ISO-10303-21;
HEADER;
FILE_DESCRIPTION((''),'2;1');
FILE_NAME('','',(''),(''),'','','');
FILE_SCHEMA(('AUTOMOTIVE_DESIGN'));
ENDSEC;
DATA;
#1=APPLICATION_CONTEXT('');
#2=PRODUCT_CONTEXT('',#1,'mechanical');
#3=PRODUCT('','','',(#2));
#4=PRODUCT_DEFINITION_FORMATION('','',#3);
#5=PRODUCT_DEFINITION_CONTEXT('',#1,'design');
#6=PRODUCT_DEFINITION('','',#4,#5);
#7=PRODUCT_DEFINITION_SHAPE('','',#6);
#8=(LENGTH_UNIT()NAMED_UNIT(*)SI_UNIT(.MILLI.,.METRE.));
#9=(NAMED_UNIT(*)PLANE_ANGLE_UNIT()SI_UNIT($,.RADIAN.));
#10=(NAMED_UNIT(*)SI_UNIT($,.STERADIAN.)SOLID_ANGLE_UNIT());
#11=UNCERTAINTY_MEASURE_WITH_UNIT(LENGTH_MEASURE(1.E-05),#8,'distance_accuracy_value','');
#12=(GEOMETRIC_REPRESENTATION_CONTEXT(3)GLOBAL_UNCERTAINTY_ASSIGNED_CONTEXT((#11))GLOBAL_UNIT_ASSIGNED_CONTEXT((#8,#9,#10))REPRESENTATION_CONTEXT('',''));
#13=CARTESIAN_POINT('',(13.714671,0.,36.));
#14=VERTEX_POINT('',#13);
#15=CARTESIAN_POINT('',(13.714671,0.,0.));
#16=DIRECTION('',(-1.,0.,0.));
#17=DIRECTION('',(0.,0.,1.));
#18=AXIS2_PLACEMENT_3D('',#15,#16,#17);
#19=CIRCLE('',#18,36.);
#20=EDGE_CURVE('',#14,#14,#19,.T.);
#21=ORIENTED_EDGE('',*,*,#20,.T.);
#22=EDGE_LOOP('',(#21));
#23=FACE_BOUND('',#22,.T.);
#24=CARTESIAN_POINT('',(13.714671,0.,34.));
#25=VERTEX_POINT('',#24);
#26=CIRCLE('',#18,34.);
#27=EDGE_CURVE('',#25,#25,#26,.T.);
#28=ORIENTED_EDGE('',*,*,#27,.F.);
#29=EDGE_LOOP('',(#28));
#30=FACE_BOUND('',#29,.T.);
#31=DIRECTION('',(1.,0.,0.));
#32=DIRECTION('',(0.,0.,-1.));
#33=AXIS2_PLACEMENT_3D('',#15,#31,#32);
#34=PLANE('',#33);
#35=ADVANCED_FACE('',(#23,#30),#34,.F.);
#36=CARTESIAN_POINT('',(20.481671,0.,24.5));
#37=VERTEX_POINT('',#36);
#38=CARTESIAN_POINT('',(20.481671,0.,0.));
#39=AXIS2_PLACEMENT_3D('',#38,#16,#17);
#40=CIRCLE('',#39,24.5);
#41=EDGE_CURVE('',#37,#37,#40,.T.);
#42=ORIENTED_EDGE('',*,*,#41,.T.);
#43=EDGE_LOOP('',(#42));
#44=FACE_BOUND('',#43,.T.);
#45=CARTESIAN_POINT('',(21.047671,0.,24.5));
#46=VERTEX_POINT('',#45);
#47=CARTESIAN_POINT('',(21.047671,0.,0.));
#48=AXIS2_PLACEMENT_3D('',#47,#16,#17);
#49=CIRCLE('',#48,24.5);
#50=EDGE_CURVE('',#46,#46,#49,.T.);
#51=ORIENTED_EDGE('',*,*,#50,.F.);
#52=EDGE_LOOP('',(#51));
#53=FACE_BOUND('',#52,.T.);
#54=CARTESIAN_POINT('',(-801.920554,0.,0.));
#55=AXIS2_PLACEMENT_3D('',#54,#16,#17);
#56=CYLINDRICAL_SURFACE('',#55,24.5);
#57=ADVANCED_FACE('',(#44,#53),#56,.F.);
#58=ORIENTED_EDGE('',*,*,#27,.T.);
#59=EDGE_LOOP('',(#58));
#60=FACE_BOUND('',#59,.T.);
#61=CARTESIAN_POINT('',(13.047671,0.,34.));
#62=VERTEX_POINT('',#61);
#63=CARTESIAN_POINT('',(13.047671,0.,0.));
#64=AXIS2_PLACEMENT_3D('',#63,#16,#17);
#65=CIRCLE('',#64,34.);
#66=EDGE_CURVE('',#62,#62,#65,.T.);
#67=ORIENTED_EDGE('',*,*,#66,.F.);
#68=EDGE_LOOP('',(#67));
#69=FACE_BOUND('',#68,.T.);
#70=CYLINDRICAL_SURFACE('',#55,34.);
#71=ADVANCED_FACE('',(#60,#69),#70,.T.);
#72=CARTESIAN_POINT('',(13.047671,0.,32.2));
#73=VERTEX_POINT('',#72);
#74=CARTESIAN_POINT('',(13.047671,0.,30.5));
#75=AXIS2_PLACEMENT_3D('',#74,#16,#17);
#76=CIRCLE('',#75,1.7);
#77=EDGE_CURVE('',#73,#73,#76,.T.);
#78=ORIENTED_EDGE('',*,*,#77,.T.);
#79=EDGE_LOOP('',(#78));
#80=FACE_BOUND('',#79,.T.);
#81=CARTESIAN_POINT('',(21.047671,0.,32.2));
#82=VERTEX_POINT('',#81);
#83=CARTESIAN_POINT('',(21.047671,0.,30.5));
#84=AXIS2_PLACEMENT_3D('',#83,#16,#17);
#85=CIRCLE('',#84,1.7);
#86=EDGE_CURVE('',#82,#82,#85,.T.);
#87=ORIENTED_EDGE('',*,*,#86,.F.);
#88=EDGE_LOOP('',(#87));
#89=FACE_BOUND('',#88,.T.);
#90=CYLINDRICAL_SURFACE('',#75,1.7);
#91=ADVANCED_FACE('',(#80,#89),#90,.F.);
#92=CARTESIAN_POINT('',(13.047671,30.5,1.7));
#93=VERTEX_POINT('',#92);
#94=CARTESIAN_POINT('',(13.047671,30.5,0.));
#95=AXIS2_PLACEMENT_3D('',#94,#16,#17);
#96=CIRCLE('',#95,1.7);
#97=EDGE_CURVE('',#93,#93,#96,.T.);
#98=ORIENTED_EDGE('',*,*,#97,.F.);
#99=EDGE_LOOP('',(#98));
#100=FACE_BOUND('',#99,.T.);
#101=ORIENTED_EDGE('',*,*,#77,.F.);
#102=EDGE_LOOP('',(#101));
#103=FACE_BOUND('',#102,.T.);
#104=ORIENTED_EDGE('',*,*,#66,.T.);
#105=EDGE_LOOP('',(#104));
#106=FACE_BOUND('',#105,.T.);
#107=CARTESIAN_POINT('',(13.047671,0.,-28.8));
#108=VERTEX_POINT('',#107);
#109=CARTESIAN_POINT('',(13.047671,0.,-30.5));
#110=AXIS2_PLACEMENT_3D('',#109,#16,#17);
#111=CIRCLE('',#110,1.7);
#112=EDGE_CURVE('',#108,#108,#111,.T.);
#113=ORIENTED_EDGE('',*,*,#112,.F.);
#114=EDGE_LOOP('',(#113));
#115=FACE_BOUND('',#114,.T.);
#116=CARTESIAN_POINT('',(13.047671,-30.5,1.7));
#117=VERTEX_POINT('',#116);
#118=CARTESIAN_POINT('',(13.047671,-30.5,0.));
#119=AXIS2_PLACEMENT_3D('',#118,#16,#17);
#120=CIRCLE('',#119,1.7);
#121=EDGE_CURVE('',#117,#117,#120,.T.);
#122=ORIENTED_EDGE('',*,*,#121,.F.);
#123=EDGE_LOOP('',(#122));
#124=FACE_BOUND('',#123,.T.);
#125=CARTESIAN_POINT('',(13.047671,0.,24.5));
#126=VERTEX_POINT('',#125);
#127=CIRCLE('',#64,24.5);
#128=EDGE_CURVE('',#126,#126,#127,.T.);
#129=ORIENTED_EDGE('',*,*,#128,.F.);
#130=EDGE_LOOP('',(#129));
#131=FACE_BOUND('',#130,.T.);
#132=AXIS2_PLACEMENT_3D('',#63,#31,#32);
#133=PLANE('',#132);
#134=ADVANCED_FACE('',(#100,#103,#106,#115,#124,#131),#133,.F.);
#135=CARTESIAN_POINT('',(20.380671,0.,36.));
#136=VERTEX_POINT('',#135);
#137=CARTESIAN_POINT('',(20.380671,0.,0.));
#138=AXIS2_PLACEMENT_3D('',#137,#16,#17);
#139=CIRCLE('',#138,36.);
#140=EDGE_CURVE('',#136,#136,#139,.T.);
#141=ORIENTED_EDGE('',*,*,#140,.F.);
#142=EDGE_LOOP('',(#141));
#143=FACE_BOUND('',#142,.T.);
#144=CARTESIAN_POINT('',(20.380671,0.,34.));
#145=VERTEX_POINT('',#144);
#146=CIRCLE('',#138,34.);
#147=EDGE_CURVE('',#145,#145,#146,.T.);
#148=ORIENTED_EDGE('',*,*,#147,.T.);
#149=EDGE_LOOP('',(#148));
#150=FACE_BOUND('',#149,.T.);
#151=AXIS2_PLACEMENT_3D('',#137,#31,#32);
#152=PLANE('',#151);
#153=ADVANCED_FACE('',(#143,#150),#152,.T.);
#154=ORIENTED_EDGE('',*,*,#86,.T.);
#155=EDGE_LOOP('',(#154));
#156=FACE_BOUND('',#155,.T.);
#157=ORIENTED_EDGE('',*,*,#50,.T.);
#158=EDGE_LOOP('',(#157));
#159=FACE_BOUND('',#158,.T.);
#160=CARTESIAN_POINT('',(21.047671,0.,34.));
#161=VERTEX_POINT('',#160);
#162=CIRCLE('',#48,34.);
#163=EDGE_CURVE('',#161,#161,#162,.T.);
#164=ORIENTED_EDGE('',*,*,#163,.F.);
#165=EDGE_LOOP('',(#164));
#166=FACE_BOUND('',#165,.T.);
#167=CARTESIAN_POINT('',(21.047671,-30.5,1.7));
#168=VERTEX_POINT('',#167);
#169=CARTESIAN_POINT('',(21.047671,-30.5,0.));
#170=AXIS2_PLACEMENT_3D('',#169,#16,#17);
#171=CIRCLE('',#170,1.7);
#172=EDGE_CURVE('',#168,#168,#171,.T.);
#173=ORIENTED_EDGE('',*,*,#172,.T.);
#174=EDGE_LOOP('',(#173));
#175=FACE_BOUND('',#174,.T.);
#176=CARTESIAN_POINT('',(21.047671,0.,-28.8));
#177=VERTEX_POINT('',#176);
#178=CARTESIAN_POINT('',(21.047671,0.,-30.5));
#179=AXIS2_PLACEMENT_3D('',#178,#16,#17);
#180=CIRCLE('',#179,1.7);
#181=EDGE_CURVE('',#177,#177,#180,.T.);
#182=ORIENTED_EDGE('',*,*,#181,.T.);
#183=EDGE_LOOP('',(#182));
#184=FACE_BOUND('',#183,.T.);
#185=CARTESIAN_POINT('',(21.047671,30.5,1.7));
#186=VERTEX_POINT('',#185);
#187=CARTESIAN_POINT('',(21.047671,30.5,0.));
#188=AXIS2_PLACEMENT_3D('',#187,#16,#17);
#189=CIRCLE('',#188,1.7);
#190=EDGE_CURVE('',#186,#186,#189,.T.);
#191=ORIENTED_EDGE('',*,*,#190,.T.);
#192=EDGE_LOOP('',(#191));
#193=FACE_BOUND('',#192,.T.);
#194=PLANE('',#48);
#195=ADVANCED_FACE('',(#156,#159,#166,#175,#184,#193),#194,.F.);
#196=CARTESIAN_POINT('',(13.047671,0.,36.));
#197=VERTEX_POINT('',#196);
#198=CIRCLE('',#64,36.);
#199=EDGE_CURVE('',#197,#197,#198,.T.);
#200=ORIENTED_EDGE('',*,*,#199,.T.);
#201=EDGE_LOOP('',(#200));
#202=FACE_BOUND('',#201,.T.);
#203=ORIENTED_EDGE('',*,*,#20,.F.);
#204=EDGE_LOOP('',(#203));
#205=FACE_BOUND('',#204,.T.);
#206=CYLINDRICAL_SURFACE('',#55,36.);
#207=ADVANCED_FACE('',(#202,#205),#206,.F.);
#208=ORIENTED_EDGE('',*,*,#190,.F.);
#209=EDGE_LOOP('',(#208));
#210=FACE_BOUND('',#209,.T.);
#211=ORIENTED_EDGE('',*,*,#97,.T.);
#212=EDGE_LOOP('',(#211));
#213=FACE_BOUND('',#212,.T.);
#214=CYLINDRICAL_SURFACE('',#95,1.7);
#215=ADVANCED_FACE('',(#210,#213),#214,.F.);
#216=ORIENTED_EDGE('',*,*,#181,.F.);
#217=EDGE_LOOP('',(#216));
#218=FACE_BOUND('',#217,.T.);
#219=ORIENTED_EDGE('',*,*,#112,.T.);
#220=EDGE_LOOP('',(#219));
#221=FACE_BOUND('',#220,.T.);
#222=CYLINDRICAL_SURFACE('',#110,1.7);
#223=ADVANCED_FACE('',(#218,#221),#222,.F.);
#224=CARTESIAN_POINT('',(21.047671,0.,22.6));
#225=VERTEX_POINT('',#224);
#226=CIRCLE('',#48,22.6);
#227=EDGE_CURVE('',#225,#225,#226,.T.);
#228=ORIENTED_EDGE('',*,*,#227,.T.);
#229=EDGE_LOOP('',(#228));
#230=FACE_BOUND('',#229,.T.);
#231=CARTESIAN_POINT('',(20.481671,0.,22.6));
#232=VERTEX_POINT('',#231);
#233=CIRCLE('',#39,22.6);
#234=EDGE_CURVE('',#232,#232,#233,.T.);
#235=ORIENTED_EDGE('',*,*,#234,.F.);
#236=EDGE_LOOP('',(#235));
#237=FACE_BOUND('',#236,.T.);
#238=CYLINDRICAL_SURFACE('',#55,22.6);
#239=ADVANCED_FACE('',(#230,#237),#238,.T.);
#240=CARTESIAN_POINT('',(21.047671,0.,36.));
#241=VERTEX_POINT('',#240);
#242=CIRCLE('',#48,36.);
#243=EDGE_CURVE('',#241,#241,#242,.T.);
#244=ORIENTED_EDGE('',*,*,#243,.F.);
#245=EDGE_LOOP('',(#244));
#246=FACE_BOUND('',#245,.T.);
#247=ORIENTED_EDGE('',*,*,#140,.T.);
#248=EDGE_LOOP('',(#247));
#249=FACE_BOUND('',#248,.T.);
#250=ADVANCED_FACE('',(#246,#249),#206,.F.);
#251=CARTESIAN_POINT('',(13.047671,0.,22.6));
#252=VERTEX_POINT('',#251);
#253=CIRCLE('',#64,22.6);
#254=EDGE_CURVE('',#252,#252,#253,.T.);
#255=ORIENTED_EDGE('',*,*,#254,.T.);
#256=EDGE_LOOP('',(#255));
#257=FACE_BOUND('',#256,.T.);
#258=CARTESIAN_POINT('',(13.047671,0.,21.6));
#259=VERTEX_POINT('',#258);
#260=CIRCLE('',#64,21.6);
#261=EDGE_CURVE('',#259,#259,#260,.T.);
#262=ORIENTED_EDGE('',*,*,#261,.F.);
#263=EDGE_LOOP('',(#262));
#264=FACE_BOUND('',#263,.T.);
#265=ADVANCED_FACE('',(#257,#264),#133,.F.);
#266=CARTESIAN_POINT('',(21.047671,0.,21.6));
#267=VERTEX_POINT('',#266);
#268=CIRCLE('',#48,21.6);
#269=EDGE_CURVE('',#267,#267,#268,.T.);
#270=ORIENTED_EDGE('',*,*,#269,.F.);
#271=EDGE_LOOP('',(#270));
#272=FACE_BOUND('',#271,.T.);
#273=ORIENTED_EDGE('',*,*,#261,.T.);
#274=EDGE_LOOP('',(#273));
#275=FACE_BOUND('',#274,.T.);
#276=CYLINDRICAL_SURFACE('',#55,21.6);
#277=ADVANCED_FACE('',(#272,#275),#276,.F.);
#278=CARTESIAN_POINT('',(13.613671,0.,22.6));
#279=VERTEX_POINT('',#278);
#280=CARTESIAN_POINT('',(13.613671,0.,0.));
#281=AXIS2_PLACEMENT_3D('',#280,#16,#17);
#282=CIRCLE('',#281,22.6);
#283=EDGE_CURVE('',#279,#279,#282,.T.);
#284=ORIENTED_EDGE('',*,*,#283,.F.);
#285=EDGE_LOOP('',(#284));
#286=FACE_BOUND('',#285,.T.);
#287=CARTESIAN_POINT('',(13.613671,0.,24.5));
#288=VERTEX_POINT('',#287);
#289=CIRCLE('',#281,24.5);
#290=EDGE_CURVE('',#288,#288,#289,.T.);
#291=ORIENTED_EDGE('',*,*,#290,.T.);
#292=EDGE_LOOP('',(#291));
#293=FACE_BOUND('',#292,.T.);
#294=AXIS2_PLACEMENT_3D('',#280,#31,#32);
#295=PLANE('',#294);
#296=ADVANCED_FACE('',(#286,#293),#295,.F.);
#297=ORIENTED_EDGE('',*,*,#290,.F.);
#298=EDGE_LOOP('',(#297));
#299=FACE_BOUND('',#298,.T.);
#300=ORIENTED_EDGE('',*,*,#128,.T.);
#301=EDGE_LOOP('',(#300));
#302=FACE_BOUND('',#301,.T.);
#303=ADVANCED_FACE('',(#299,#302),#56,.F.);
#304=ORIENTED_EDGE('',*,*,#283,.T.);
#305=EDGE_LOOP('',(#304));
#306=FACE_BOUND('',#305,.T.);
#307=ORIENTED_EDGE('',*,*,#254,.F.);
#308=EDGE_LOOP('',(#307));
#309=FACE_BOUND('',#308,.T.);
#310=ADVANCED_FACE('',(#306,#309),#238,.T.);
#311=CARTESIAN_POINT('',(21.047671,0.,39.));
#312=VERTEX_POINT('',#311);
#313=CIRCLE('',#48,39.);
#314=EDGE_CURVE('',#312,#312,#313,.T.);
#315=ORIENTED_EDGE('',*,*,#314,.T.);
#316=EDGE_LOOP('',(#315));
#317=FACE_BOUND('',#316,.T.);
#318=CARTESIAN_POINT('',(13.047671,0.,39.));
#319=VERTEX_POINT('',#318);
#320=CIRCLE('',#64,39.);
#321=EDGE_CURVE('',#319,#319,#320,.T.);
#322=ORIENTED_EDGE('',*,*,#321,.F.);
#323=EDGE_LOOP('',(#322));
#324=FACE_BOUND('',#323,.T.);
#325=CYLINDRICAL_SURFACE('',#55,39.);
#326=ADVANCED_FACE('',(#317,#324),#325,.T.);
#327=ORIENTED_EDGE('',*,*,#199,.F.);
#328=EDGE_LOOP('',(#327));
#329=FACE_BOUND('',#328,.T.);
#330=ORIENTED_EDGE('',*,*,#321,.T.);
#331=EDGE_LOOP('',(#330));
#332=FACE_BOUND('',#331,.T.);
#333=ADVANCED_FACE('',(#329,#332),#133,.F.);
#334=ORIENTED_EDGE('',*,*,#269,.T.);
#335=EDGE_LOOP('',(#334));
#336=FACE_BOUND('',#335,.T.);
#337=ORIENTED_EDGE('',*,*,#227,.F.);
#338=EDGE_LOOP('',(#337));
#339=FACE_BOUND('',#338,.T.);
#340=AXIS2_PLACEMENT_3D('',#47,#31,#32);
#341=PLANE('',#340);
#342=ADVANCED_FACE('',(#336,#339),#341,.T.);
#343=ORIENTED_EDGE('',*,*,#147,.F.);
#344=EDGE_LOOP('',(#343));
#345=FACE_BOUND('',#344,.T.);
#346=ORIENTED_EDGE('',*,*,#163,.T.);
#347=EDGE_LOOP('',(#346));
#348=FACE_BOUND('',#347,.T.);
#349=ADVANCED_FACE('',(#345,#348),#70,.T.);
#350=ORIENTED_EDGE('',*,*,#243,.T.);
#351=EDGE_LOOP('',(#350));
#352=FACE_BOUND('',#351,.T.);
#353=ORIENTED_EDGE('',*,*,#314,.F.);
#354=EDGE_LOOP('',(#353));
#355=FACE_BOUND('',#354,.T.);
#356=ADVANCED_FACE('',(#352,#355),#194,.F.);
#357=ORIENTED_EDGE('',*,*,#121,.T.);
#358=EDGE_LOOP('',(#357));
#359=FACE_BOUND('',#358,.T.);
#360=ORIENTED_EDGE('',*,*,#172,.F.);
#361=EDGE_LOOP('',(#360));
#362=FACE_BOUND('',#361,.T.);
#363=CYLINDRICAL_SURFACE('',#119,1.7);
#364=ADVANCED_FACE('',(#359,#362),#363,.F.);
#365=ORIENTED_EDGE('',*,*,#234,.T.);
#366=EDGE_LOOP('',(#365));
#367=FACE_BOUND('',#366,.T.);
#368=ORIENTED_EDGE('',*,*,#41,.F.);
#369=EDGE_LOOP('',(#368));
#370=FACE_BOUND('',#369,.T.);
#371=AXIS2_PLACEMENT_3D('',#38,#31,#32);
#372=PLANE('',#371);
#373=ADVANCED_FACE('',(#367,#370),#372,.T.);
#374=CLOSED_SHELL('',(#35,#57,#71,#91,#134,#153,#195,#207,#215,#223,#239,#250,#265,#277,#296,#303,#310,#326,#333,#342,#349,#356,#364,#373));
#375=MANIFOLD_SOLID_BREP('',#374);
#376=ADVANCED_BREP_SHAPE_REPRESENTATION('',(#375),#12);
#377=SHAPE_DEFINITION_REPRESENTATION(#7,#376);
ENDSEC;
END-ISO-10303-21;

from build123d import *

# Parameters (mm, degrees)
M3_CLEARANCE_HOLE1_D     = 3.4
M3_CLEARANCE_HOLE1_DEPTH = 8
M3_CLEARANCE_HOLE1_TIP   = 1.021463052


with BuildPart() as part:
    # Sketch1 → Revolve17 (revolve)
    with BuildSketch(Plane.XY):
        Polygon((20.481671209, 24.5), (21.047671209, 24.5), (21.047671209, 34), (20.380671209, 34), (20.380671209, 36), (21.047671209, 36), (21.047671209, 39), (13.047671209, 39), (13.047671209, 36), (13.714671209, 36), (13.714671209, 34), (13.047671209, 34), (13.047671209, 24.5), (13.613671209, 24.5), (13.613671209, 22.6), (13.047671209, 22.6), (13.047671209, 21.6), (21.047671209, 21.6), (21.047671209, 22.6), (20.481671209, 22.6), align=None)
    revolve(axis=Axis((-801.920554309, 0, 0), (1, 0, 0)))

    # M3 Clearance Hole1
    with Locations(Plane.ZY.offset(-13.047671209)):
        with Locations((0, -30.5), (0, 30.5), (30.5, 0), (-30.5, 0)):
            Hole(M3_CLEARANCE_HOLE1_D / 2, depth=M3_CLEARANCE_HOLE1_DEPTH)
            with Locations((0, 0, -(M3_CLEARANCE_HOLE1_DEPTH + M3_CLEARANCE_HOLE1_TIP / 2))):  # 118° drill point
                Cone(0, M3_CLEARANCE_HOLE1_D / 2, M3_CLEARANCE_HOLE1_TIP, mode=Mode.SUBTRACT)


solid = part.part
